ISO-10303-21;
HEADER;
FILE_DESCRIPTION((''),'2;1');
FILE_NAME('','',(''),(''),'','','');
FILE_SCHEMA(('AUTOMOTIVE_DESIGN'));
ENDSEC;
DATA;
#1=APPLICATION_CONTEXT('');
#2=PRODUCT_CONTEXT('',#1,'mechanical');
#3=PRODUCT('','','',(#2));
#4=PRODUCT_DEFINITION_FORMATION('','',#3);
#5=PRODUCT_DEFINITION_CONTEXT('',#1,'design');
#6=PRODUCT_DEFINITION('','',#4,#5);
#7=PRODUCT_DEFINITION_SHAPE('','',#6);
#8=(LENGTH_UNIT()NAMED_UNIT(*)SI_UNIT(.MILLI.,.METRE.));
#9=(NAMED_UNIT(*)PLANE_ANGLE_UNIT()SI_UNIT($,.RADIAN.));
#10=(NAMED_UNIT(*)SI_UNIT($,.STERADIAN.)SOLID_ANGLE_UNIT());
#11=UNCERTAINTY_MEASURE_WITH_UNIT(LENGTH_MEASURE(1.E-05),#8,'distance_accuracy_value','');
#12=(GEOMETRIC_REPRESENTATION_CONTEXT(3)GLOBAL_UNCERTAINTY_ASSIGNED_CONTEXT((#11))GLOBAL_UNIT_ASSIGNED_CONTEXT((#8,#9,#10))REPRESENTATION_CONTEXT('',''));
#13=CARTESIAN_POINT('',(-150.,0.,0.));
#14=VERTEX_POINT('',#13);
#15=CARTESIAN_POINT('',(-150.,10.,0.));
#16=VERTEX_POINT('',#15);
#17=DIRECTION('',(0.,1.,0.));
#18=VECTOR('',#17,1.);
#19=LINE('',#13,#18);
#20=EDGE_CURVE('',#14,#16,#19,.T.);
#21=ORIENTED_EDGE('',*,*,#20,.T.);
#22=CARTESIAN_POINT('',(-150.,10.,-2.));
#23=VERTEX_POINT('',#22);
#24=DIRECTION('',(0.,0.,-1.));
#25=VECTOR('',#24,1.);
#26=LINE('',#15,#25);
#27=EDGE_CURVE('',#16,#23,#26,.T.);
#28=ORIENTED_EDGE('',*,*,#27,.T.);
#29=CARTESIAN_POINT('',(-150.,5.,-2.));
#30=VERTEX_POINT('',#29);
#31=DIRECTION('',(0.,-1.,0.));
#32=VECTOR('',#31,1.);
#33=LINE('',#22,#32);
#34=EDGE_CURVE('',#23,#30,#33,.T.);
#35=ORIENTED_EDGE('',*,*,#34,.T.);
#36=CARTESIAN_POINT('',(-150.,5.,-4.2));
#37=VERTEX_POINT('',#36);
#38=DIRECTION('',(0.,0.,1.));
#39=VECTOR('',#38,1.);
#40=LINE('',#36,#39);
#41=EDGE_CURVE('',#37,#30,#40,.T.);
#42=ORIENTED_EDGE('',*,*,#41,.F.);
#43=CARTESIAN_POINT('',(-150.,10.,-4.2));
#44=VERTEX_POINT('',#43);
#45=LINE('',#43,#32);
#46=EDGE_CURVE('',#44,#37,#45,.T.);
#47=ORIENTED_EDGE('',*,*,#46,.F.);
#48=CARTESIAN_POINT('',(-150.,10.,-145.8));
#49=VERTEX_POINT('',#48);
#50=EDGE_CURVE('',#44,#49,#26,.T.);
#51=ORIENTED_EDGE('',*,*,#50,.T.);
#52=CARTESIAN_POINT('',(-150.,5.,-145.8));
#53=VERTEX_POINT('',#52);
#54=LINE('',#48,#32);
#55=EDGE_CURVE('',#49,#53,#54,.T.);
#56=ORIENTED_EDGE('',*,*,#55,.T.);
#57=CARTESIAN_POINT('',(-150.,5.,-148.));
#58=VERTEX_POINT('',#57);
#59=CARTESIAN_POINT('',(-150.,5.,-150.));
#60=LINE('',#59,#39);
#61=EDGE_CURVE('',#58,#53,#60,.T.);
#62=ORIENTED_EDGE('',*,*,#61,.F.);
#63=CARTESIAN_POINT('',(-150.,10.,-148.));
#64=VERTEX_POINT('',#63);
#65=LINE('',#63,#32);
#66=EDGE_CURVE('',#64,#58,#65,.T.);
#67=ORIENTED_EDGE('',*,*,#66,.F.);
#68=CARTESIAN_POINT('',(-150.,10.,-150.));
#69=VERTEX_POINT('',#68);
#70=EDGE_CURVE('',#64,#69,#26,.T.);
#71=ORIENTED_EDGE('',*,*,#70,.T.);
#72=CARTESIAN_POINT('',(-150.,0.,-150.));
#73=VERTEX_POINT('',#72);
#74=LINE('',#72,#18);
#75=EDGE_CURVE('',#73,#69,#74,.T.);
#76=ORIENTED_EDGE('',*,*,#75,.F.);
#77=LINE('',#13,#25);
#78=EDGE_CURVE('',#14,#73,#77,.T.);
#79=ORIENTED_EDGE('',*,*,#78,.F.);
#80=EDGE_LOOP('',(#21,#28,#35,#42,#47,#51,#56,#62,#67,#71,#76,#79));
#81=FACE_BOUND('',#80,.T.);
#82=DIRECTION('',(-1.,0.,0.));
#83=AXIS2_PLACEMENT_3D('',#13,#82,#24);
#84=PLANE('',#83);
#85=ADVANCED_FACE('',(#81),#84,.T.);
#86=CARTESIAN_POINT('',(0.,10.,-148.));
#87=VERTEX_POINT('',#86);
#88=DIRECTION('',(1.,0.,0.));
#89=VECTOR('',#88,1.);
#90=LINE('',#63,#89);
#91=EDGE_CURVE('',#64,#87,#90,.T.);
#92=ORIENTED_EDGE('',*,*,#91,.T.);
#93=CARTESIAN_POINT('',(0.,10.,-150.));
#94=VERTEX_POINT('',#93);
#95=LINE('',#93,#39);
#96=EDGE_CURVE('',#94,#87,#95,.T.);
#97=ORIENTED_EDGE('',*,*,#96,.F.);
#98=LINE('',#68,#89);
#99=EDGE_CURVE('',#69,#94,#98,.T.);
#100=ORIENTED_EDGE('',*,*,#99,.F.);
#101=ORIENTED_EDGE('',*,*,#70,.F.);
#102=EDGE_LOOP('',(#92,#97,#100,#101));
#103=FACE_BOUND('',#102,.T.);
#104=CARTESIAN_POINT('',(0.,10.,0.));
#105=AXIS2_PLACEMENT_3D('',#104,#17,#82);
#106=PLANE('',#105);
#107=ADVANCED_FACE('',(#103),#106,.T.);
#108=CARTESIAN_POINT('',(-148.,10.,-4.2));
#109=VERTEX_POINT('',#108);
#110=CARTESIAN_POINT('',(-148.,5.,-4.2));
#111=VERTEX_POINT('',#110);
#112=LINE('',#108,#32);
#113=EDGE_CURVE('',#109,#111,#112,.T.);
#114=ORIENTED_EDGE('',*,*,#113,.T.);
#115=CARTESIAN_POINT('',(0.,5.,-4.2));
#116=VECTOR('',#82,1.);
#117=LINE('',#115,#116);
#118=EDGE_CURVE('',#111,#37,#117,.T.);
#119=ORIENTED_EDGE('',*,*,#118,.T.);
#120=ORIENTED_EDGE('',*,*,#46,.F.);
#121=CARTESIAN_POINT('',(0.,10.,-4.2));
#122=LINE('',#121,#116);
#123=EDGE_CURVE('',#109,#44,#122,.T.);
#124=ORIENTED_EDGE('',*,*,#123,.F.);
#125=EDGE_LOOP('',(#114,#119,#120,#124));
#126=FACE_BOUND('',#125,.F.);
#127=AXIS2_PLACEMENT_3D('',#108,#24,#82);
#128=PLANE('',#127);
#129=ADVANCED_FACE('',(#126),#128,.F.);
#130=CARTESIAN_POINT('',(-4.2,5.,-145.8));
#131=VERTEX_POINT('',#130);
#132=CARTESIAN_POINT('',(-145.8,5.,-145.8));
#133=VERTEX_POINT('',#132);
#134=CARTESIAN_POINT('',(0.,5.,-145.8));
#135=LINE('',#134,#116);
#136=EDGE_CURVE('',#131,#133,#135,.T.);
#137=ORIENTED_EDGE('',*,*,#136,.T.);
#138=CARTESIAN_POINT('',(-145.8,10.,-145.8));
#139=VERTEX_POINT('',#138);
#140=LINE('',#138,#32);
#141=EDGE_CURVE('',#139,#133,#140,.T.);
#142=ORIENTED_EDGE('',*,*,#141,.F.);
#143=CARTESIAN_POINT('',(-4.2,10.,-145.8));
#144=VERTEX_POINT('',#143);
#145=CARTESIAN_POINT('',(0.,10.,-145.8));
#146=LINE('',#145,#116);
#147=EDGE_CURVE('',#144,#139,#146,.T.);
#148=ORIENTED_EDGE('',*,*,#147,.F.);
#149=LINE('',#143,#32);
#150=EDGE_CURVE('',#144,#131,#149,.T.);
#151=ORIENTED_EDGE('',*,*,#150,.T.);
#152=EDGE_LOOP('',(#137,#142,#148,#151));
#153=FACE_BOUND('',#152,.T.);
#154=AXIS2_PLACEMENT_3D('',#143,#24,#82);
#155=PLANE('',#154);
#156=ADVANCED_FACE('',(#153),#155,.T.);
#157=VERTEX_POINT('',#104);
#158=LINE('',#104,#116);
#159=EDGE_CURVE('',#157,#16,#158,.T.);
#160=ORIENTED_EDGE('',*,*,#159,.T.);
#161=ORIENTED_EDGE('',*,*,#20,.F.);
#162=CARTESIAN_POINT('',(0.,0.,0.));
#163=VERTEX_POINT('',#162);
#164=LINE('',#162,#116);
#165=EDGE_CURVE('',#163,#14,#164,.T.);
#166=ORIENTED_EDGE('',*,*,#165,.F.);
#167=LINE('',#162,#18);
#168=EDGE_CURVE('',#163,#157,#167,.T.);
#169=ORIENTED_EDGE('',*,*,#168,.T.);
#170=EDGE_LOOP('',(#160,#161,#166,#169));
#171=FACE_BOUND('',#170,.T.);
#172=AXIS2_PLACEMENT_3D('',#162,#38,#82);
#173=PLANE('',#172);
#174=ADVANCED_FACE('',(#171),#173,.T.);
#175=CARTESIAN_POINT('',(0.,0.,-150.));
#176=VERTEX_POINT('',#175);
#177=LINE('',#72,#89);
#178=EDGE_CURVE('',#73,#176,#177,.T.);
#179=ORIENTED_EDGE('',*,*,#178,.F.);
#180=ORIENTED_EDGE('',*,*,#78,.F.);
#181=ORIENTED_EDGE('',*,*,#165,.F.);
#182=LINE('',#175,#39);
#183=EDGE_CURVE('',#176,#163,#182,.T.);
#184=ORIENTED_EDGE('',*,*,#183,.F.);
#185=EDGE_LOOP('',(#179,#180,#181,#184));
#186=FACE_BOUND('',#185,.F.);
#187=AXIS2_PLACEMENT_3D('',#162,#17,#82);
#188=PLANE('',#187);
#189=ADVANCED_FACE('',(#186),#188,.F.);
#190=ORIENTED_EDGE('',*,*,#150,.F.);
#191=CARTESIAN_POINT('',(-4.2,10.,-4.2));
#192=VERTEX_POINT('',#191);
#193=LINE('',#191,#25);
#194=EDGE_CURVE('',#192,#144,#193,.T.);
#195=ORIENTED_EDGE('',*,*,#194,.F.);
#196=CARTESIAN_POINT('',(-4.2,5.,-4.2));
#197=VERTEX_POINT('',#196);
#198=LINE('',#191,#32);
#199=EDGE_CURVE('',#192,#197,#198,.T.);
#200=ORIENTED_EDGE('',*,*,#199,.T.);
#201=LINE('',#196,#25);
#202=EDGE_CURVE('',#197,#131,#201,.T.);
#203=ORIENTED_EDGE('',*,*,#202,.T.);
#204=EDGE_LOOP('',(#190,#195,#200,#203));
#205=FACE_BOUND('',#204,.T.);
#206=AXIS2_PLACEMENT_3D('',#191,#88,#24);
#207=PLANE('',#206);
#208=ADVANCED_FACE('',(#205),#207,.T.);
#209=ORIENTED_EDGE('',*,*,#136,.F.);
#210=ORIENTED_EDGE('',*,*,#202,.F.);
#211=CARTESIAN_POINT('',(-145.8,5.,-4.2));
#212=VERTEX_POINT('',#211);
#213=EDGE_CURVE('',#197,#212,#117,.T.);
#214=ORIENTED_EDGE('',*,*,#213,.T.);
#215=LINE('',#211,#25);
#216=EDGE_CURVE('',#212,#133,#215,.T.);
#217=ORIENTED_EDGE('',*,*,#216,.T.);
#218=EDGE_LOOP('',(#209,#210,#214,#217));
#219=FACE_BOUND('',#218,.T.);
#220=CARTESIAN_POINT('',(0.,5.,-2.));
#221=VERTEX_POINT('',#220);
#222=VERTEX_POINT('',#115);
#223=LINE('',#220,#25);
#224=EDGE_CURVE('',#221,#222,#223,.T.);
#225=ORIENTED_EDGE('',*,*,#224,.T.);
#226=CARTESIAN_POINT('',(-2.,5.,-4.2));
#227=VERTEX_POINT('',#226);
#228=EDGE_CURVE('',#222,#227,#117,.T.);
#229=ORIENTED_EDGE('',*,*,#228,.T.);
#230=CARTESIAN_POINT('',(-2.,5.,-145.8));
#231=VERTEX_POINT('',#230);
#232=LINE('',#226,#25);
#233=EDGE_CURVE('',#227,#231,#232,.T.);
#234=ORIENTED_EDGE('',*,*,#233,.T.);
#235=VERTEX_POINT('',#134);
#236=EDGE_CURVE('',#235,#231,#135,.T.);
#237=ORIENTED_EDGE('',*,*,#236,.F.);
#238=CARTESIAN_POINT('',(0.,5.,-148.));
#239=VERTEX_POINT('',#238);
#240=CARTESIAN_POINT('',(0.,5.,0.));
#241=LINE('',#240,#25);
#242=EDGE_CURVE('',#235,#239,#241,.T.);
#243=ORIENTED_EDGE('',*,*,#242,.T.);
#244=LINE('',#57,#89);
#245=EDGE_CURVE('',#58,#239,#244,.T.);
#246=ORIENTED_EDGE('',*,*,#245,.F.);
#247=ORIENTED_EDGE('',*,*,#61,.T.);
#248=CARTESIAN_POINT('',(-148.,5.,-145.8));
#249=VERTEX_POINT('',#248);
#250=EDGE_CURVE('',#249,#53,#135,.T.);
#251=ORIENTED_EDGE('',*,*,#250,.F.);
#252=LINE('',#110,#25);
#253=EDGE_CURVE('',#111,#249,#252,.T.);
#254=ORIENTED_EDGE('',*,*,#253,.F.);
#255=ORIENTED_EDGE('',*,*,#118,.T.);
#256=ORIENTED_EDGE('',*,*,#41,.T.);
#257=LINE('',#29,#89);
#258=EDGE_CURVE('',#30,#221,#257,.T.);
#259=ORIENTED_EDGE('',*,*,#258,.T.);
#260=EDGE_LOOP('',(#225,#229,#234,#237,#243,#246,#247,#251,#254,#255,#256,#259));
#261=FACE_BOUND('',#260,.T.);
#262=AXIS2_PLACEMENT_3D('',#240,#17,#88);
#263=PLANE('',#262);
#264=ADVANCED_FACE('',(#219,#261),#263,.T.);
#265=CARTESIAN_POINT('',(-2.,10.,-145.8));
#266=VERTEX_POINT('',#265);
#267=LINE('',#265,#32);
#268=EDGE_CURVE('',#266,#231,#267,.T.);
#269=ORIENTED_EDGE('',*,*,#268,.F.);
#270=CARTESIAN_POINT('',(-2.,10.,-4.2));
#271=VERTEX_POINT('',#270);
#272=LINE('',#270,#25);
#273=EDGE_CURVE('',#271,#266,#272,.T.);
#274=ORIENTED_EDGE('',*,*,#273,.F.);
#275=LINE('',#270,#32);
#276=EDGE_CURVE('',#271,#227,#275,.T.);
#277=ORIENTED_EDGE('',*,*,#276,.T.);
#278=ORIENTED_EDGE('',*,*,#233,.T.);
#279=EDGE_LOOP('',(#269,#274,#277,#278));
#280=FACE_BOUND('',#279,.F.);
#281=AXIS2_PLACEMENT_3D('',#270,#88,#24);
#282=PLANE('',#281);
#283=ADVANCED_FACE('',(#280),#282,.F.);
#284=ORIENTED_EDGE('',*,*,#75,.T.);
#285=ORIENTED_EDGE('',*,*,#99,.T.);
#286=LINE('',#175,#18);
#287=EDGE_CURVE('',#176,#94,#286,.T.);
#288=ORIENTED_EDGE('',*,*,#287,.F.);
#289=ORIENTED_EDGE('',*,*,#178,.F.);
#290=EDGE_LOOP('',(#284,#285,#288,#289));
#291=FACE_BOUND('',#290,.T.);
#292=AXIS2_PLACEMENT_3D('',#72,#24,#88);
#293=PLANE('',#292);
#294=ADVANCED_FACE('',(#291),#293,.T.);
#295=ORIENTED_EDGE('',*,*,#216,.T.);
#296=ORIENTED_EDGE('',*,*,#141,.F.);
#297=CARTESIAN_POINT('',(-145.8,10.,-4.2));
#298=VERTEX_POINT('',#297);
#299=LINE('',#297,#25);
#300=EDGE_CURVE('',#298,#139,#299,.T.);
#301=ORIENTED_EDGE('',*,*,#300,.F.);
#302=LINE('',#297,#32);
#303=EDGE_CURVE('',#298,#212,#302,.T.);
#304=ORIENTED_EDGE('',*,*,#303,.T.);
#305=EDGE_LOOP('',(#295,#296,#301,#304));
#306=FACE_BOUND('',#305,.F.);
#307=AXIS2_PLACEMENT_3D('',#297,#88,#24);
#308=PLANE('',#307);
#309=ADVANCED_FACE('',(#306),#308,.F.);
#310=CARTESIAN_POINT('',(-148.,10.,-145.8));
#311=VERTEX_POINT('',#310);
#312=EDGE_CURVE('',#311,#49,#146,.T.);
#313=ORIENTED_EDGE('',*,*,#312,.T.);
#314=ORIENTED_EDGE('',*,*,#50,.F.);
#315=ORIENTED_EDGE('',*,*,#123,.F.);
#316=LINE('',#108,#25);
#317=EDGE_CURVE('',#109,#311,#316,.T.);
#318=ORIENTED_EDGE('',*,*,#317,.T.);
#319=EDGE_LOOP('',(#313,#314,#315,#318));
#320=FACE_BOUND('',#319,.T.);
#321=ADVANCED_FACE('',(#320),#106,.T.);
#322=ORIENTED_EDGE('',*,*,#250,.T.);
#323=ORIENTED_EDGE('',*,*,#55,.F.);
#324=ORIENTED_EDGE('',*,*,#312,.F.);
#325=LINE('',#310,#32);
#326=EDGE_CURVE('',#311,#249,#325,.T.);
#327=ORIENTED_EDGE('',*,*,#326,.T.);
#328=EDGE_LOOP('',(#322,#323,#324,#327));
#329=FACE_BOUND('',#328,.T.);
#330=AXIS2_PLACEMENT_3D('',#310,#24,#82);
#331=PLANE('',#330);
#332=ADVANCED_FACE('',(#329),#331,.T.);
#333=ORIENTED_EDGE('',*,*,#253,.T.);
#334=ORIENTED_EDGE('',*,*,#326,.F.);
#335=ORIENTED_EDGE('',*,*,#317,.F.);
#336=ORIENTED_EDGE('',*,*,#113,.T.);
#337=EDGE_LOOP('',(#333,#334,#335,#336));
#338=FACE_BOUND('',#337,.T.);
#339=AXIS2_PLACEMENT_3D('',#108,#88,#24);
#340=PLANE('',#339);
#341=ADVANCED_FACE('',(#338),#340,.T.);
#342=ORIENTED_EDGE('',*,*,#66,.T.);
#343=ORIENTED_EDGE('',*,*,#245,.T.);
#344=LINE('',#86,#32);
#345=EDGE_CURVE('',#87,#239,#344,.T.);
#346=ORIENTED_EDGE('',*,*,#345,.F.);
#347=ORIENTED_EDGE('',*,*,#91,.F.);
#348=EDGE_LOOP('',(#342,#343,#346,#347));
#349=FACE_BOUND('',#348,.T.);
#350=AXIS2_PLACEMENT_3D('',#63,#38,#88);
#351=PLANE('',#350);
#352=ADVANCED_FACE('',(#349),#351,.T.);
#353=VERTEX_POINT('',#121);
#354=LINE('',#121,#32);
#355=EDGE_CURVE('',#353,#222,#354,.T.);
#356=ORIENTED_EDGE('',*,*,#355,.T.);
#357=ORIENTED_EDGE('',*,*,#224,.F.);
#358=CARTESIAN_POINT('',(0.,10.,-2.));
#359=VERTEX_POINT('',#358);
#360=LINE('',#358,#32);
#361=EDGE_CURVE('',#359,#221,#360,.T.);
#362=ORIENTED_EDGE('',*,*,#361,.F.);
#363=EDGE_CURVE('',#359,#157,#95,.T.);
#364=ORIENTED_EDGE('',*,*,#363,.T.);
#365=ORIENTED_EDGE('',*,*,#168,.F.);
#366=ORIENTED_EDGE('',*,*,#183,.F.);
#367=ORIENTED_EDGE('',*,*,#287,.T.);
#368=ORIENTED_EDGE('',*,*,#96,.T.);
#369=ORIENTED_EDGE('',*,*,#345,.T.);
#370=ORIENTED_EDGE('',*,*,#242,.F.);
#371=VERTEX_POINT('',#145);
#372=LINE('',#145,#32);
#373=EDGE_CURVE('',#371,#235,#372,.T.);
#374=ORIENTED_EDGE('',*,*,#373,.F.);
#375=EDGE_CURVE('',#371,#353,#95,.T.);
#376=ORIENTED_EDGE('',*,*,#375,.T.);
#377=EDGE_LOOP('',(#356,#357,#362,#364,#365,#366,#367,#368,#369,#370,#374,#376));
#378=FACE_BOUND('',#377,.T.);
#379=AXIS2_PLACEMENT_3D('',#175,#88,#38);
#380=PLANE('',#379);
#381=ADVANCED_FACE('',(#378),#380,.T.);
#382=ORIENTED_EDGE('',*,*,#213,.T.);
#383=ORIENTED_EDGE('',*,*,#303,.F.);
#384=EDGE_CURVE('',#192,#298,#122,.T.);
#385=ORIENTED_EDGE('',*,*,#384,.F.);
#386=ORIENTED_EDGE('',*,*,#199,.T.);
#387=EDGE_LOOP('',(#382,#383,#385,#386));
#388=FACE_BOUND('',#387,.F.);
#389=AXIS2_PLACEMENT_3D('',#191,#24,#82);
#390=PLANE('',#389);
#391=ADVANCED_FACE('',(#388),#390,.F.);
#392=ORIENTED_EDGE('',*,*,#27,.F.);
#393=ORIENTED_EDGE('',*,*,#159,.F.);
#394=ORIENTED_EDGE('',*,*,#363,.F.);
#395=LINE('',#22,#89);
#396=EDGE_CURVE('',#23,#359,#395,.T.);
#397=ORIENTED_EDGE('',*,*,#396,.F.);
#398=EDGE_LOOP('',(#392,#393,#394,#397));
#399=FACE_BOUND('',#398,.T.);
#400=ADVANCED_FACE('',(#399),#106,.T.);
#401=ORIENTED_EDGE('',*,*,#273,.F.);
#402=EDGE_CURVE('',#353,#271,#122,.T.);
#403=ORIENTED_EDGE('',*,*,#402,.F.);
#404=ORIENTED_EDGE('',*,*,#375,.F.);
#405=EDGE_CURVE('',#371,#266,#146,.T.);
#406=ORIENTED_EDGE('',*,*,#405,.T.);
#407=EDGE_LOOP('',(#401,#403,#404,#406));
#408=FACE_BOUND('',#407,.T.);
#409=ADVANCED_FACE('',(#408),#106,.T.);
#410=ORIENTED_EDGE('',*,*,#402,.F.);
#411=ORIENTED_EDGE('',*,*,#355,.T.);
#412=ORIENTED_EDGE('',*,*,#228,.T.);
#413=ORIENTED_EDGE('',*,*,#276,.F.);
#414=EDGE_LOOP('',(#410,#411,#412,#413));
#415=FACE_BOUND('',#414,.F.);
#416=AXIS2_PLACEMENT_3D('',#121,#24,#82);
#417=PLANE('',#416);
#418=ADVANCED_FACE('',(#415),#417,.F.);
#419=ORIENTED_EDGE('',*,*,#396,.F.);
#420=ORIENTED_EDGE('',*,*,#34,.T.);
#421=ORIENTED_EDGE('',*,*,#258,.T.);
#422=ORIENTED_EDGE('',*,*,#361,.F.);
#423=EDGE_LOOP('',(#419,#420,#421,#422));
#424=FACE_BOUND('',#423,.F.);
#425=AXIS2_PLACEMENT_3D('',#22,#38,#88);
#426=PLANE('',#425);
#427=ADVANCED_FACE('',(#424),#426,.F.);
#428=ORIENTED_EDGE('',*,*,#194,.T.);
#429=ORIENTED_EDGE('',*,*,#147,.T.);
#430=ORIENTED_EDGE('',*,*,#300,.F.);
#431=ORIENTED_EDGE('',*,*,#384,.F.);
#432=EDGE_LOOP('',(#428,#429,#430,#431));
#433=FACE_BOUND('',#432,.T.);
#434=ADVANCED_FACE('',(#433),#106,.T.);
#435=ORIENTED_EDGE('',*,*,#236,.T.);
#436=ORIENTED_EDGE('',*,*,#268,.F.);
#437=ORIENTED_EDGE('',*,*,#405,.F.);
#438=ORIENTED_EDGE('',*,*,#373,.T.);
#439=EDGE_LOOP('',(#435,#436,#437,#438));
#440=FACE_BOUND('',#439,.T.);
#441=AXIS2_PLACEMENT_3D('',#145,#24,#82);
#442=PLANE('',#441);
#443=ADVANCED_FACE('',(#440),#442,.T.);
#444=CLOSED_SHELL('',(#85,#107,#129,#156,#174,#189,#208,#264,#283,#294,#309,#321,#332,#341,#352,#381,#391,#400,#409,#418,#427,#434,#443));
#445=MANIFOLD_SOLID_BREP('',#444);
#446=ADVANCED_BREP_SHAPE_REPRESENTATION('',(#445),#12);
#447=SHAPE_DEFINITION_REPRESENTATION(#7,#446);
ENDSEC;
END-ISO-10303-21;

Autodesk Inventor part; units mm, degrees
ref_plane "YZ Plane" through (0, 0, 0) normal (1, 0, 0) x (0, 1, 0)
ref_plane "XZ Plane" through (0, 0, 0) normal (0, 1, 0) x (-1, 0, 0)
ref_plane "XY Plane" through (0, 0, 0) normal (0, 0, 1) x (1, 0, 0)
sketch "Sketch1" plane through (0, 0, 0) normal (0, 1, 0) x (-1, 0, 0)
  line L0 (0, 0) -> (150, 0)
  line L1 (150, 0) -> (150, -150)
  line L2 (150, -150) -> (0, -150)
  line L3 (0, -150) -> (0, 0)
  dimension "d0" = 150
extrude "Extrusion1" add sketch "Sketch1" along normal blind 10
sketch "Sketch2" plane through (0, 10, 0) normal (0, 1, 0) x (1, 0, 0)
  line L0 (-150, 2) -> (0, 2)
  line L1 (0, 2) -> (0, 4.2)
  line L2 (0, 4.2) -> (-150, 4.2)
  line L3 (-150, 4.2) -> (-150, 2)
  line L4 (-150, 0) -> (0, 0) projected
  line L5 (-150, 150) -> (-150, 0) projected
  line L6 (-150, 75) -> (0, 75) construction
  line L7 (0, 0) -> (0, 150) projected
  line L8 (-150, 148) -> (0, 148)
  line L9 (0, 148) -> (0, 145.8)
  line L10 (0, 145.8) -> (-150, 145.8)
  line L11 (-150, 145.8) -> (-150, 148)
  line L12 (-148, 4.2) -> (-148, 145.8)
  line L13 (-145.8, 4.2) -> (-145.8, 145.8)
  line L14 (-75, 0) -> (-75, 148) construction
  line L15 (-2, 4.2) -> (-2, 145.8)
  line L16 (-4.2, 4.2) -> (-4.2, 145.8)
  point P0 (0, 148)
  dimension "d3" = 2.2
  dimension "d4" = 2
  dimension "d5" = 2.2
  dimension "d6" = 2
extrude "Extrusion2" cut sketch "Sketch2" against normal blind 5 contours L3 L2 L1 L0 | L12 L10 L13 L2 | L5 L8 L7 L10 | L2 L16 L10 L15
properties part number "base"
